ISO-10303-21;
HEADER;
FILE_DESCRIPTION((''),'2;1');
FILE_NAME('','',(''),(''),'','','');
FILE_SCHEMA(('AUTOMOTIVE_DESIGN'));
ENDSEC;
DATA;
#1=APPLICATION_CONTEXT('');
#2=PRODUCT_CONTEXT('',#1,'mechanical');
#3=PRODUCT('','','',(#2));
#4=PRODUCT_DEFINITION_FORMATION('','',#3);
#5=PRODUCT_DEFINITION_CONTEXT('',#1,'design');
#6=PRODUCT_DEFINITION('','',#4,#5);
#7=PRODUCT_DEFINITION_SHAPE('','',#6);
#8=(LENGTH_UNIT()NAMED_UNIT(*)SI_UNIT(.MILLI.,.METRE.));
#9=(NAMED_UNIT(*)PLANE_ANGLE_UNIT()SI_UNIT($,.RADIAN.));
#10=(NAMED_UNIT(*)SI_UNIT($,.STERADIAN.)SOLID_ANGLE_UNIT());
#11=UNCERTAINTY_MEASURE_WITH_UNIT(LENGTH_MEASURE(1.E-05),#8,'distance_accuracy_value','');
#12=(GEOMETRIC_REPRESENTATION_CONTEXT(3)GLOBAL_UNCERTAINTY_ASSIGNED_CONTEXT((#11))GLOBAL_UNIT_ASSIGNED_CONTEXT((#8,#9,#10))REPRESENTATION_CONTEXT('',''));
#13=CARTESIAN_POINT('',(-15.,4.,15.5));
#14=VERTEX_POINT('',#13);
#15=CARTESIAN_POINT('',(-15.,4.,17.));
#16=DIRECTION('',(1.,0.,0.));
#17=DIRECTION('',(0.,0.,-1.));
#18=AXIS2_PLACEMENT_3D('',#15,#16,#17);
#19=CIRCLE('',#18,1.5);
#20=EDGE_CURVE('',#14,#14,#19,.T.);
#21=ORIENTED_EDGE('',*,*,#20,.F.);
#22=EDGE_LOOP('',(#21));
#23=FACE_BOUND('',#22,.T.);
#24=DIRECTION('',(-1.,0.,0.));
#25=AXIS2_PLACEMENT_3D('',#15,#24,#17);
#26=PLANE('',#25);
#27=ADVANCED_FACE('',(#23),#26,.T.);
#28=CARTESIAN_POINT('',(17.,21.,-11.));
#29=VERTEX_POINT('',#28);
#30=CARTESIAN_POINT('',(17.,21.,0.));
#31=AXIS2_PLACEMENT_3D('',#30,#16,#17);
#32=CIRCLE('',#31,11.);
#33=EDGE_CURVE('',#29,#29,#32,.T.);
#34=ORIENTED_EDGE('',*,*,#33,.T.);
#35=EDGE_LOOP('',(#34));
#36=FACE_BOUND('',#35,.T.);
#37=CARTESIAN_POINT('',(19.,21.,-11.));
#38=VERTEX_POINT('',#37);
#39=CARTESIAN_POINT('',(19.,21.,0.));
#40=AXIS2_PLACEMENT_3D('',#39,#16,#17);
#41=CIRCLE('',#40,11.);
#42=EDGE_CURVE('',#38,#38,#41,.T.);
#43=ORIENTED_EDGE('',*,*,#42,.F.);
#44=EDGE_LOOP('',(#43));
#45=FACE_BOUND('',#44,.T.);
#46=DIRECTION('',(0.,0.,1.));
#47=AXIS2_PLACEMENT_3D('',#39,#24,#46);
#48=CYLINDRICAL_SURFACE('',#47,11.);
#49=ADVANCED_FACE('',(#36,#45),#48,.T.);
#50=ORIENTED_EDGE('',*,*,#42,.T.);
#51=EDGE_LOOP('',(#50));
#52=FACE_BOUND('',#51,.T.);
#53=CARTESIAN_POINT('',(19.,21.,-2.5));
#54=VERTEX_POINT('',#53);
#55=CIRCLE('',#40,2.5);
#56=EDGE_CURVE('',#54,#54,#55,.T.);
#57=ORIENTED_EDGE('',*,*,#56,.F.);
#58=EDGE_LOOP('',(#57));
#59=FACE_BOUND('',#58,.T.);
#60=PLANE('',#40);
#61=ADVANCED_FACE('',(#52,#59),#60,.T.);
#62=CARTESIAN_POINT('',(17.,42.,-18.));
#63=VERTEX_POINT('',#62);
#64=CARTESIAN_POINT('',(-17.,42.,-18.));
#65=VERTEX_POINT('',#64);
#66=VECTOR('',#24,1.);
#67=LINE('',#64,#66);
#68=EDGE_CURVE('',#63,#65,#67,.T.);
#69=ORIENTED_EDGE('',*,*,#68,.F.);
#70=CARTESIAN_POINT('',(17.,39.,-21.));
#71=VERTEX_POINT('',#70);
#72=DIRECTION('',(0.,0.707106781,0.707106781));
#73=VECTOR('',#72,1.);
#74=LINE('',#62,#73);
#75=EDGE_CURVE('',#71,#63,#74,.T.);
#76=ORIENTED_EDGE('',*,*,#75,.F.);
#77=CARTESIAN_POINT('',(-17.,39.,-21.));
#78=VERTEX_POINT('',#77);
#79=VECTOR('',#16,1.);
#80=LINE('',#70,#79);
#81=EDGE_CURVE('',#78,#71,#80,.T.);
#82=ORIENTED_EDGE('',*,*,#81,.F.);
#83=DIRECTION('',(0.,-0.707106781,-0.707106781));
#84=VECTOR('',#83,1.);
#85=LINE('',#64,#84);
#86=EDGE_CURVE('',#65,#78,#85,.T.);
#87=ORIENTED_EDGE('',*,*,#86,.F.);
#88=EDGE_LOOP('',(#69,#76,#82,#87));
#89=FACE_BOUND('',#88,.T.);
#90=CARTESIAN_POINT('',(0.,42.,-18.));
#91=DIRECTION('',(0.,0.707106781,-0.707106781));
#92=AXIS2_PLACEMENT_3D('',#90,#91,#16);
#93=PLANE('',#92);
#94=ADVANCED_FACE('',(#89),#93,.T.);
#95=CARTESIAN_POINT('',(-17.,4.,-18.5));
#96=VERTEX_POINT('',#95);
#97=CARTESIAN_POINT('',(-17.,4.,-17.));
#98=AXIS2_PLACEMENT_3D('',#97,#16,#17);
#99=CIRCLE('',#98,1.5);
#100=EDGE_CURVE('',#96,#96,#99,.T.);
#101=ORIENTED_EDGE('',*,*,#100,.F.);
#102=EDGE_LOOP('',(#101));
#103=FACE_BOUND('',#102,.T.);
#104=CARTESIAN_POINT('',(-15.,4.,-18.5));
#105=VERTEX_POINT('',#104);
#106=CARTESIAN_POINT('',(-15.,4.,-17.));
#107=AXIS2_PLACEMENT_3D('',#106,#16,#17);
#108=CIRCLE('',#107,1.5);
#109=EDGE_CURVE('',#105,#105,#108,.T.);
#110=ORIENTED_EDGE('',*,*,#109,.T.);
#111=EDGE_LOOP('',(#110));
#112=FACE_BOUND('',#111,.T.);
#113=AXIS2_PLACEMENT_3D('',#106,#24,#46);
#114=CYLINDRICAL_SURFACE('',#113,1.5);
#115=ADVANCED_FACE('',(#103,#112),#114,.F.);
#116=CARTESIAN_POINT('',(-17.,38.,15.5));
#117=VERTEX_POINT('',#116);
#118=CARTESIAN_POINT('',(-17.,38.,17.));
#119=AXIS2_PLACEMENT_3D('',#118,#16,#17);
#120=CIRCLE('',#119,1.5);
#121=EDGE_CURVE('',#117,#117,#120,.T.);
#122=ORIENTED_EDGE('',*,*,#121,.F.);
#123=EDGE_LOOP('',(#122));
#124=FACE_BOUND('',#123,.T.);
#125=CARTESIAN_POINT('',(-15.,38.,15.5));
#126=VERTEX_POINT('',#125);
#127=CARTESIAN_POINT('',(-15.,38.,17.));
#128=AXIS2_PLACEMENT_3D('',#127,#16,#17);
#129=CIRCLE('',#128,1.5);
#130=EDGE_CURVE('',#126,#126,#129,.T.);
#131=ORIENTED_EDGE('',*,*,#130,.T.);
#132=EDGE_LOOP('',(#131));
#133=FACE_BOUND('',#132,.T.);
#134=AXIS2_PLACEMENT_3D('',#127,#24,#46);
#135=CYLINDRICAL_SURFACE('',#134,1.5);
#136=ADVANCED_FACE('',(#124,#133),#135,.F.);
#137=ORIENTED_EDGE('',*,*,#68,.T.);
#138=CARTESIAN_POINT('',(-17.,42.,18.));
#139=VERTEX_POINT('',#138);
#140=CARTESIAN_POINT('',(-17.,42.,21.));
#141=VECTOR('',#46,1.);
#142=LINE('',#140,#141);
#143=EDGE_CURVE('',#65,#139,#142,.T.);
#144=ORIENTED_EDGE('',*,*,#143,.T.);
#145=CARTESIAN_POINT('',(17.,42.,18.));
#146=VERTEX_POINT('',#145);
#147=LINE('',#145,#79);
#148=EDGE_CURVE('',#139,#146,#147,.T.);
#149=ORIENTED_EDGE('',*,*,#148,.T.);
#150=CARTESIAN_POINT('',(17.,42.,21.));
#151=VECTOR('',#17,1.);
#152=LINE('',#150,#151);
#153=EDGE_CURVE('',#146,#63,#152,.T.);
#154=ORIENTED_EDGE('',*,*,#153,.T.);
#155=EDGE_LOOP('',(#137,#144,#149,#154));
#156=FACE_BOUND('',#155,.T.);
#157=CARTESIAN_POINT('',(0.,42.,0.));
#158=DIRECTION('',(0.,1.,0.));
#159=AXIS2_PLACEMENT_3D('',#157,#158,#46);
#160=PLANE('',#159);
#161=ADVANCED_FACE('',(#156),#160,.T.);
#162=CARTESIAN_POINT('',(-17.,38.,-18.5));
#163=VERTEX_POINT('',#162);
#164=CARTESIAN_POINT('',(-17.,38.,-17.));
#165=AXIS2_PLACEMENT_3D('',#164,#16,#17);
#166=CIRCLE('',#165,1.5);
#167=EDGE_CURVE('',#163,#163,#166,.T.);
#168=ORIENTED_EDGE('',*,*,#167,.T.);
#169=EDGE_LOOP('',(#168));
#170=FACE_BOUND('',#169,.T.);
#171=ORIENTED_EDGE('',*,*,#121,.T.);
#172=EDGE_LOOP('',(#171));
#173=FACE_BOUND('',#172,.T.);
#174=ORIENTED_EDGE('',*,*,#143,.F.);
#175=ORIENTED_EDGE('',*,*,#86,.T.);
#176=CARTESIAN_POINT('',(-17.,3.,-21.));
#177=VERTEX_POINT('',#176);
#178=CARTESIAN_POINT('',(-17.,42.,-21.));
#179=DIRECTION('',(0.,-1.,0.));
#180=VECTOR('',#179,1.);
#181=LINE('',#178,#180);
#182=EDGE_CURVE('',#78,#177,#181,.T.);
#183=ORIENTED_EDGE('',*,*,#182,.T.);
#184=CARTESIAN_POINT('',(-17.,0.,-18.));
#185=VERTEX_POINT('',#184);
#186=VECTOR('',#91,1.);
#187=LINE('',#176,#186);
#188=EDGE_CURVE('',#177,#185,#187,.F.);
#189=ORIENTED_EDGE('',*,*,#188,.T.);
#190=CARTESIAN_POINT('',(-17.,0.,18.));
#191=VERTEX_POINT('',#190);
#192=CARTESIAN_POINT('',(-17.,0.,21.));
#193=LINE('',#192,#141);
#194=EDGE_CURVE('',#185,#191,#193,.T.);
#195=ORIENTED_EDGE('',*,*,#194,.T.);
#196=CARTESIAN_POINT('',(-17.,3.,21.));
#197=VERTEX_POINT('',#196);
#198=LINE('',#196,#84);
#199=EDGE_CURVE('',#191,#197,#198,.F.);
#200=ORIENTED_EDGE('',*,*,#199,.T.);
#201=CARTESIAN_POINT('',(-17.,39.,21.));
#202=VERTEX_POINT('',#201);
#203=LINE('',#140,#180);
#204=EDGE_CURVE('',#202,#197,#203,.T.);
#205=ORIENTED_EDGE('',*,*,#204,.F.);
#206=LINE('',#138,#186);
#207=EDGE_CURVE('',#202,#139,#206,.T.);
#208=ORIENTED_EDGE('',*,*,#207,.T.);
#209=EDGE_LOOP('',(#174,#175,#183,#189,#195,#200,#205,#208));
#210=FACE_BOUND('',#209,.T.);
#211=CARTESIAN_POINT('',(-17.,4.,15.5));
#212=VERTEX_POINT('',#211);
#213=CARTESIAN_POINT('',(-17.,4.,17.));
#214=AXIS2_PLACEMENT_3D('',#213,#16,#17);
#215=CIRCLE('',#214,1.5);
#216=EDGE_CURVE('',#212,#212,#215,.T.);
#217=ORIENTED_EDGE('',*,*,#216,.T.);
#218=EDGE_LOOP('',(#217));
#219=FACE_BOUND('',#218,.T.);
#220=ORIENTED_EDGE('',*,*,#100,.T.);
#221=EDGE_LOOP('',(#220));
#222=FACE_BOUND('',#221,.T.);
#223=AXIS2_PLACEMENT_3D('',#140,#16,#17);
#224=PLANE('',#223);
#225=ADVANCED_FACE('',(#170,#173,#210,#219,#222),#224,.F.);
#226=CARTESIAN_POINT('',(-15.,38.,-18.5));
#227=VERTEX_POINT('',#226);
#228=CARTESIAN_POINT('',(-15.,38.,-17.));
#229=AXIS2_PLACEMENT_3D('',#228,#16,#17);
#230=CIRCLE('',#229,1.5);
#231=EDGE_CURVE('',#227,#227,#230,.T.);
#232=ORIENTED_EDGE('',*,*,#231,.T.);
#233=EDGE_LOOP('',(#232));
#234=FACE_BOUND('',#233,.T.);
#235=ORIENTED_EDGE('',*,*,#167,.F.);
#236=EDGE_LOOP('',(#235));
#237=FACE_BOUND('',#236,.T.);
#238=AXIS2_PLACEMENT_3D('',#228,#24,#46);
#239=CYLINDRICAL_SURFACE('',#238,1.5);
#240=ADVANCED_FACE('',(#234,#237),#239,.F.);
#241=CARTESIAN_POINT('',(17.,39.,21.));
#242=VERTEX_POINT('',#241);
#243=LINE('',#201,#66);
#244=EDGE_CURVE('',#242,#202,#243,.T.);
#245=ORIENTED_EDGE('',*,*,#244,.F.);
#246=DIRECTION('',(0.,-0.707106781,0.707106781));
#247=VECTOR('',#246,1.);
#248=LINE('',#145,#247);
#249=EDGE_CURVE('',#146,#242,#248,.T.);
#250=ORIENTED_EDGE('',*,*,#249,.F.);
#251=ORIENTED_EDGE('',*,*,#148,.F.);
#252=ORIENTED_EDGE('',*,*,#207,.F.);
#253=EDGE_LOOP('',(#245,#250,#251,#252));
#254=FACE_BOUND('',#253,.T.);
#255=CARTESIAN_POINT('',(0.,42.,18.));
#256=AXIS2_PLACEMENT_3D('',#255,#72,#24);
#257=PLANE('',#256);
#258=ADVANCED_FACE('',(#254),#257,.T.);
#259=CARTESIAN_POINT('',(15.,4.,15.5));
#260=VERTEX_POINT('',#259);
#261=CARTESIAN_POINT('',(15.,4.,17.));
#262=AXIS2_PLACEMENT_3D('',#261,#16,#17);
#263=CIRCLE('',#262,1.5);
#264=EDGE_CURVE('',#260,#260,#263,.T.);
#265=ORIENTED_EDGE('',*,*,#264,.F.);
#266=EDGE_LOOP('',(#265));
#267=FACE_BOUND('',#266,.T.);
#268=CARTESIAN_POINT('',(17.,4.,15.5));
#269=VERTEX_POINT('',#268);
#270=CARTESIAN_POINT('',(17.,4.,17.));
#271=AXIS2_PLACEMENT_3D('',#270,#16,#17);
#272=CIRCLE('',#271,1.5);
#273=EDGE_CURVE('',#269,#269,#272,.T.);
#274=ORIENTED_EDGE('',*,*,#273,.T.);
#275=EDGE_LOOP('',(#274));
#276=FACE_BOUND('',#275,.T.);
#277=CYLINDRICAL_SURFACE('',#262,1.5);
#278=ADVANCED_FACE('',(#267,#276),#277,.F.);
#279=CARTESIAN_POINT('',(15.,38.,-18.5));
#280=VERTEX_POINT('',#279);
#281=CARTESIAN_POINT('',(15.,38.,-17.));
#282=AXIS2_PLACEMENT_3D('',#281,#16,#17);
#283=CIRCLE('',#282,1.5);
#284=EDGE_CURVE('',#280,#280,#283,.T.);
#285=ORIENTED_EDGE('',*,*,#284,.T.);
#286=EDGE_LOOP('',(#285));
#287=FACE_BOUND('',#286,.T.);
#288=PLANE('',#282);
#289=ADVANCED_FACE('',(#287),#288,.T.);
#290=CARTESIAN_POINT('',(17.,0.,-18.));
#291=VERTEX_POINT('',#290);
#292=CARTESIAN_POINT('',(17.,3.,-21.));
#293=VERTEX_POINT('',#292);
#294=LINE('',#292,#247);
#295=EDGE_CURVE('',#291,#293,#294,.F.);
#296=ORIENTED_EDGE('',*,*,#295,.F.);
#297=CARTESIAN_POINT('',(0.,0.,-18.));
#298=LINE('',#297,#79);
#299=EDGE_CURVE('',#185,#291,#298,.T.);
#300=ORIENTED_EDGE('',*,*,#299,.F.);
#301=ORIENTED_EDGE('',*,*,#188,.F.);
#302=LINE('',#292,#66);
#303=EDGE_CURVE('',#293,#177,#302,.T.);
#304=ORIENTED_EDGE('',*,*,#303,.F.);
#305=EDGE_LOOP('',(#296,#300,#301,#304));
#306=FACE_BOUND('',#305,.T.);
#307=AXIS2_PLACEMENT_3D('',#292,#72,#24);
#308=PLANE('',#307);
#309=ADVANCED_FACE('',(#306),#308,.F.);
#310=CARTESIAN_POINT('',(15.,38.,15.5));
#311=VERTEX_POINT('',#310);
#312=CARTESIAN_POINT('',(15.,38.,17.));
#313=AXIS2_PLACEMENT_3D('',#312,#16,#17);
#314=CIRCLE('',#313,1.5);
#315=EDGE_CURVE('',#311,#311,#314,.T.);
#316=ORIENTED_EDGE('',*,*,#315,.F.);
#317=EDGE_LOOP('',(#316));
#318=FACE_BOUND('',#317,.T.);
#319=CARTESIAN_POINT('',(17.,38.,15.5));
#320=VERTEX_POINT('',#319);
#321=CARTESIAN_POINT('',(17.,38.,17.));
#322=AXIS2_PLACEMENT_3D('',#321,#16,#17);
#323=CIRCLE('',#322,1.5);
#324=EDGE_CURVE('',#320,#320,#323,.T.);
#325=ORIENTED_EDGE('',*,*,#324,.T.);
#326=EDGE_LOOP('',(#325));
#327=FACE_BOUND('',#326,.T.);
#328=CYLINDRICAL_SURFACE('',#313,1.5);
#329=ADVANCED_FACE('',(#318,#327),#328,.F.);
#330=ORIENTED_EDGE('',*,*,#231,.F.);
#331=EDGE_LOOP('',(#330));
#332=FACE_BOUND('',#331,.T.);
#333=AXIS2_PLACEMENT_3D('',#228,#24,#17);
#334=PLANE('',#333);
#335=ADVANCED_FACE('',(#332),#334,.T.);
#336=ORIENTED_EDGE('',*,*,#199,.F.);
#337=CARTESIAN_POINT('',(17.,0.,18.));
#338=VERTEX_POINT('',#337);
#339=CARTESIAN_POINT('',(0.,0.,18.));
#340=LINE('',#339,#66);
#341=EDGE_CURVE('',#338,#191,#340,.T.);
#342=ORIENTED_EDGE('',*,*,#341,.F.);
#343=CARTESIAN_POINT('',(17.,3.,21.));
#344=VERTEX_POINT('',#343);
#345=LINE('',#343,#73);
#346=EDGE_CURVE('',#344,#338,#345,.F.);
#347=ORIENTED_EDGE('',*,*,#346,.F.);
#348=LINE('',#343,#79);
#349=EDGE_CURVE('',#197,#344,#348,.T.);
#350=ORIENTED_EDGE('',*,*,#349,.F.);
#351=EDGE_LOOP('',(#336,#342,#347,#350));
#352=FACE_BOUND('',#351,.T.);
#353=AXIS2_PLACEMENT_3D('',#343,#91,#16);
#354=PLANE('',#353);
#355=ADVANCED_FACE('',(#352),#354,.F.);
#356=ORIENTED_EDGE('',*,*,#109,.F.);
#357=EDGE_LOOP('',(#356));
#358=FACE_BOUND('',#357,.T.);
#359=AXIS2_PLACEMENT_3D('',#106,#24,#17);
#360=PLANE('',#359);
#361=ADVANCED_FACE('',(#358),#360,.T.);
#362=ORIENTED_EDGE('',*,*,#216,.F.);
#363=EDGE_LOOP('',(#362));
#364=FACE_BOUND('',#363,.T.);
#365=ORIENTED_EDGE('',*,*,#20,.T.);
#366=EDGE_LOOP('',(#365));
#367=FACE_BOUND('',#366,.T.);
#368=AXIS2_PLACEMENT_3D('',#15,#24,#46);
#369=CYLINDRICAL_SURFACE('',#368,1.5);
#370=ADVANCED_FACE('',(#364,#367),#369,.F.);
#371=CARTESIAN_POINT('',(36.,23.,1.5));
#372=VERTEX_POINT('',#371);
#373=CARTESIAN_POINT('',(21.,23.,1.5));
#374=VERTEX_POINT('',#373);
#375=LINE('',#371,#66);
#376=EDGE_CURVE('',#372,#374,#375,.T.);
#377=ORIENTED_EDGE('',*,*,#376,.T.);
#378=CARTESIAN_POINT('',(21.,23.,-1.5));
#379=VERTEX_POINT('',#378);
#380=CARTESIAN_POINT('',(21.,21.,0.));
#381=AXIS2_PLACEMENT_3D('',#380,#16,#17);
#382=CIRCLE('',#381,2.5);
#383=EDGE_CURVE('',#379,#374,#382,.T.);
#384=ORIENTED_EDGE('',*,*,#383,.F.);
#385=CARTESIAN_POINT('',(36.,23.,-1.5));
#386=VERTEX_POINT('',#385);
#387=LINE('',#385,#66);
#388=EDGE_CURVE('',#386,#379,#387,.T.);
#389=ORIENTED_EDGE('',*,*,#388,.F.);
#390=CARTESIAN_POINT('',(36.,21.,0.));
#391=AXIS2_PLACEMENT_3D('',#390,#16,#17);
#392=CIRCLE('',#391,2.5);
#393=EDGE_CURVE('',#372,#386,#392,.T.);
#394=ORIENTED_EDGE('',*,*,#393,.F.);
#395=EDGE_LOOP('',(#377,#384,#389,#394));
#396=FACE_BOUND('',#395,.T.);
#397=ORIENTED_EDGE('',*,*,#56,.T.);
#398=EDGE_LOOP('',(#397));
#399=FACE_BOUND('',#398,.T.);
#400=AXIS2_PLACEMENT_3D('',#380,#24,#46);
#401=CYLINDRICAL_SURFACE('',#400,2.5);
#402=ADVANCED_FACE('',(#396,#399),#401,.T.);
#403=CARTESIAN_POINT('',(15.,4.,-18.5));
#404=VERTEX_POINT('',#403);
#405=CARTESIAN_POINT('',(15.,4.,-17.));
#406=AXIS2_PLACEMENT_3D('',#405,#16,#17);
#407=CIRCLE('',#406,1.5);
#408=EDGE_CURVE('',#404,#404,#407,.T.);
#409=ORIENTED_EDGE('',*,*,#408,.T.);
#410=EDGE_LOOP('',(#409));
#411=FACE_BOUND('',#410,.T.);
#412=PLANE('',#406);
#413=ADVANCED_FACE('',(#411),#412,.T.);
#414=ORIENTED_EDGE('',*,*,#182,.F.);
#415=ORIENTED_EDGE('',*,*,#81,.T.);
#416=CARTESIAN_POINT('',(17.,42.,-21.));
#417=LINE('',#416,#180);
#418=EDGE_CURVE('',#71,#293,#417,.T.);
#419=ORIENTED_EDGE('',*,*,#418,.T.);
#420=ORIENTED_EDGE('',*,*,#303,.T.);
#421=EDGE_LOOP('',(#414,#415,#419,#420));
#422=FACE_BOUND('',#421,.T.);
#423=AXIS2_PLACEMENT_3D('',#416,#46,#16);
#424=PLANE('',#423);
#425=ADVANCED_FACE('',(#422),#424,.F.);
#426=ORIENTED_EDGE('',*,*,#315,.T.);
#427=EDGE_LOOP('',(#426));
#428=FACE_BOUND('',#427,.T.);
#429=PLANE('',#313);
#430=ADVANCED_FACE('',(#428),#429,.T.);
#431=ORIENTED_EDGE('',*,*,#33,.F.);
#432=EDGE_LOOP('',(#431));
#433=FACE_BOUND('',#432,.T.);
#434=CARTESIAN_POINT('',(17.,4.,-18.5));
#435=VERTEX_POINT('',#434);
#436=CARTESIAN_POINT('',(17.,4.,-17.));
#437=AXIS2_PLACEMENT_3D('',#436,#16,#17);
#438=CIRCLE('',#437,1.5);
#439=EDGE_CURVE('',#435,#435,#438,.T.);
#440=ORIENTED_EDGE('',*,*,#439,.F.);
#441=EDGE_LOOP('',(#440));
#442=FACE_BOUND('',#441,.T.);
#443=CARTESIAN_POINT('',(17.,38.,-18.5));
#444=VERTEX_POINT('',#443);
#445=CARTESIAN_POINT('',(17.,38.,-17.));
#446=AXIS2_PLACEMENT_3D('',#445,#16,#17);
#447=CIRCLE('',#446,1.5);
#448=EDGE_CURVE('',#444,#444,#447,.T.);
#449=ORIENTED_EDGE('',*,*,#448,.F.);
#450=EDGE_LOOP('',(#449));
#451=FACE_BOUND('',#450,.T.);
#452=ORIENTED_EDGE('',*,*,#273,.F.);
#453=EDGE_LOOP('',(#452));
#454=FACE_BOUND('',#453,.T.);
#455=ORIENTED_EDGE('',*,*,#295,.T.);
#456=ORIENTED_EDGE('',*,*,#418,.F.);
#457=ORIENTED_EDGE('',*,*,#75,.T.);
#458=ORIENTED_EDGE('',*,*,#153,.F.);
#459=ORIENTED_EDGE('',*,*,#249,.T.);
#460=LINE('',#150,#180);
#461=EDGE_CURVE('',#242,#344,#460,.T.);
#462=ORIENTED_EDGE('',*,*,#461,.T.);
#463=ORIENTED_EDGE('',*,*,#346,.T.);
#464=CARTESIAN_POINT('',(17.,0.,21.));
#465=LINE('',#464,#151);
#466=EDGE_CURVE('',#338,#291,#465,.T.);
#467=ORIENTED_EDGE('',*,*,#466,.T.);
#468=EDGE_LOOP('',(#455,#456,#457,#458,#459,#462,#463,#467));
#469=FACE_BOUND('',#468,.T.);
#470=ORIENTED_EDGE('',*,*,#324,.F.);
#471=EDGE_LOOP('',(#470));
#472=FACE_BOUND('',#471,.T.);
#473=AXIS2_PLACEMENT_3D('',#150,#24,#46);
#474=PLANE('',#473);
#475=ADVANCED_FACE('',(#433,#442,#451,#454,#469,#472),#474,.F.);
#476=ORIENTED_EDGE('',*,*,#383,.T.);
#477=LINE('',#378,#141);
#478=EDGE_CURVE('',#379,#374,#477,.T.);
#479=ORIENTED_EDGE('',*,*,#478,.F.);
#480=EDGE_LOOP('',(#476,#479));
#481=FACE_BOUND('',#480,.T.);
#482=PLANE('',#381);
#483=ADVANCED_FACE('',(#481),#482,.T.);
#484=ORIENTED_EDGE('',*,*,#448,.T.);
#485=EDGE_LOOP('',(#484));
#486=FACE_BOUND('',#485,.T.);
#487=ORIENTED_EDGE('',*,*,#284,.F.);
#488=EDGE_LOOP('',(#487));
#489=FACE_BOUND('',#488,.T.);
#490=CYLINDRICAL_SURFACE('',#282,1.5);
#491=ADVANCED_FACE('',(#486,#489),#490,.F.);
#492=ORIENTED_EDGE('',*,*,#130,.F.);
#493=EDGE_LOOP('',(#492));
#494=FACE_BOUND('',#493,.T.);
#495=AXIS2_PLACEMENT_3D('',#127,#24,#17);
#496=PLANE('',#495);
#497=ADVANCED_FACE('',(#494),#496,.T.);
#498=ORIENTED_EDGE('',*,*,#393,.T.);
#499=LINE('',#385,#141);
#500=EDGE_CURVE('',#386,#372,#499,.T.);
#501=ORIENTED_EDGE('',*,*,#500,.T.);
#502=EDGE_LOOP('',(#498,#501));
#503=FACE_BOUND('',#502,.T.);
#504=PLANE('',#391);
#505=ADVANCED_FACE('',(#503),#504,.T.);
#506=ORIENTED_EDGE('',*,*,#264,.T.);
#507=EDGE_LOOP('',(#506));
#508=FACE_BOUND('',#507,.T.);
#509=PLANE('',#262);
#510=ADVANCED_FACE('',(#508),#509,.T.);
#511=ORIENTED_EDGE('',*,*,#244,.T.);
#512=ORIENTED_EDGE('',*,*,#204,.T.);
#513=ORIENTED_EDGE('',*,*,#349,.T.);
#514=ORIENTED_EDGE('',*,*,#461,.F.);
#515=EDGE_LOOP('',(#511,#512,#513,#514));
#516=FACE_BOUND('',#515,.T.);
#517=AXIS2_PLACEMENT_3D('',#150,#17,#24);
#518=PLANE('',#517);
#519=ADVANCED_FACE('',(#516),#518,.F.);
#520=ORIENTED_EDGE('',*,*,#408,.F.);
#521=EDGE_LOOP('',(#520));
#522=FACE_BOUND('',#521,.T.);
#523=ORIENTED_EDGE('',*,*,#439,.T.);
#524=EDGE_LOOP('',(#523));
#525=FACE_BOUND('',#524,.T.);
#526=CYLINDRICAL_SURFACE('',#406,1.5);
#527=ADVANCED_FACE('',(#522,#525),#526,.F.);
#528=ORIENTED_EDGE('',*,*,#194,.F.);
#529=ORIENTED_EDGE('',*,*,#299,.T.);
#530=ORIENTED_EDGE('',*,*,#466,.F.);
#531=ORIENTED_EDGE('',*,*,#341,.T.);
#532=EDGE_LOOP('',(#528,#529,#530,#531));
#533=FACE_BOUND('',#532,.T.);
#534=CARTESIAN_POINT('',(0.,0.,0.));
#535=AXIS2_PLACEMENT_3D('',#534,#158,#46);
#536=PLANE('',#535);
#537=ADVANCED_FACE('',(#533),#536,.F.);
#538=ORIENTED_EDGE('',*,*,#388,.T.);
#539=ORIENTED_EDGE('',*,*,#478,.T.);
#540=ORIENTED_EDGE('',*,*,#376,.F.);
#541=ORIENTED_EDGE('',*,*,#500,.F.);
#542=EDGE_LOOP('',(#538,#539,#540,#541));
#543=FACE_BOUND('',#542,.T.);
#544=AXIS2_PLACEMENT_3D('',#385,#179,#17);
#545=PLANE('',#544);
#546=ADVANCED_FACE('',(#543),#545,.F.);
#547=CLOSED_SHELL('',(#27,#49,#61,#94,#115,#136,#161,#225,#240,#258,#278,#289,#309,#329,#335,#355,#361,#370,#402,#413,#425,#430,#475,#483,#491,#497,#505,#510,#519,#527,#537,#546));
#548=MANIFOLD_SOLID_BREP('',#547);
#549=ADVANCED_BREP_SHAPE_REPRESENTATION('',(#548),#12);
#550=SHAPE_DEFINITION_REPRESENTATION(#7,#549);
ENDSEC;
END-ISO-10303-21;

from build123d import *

# Parameters (mm, degrees)
SKETCH1_W           = 34
SKETCH1_H           = 42
BOSS_EXTRUDE1_DEPTH = 42
SKETCH2_R           = 11
BOSS_EXTRUDE2_DEPTH = 2
SKETCH3_R           = 2.5
BOSS_EXTRUDE3_DEPTH = 2
BOSS_EXTRUDE4_DEPTH = 15
CHAMFER1_SIZE       = 3
SKETCH5_R           = 1.5
CUT_EXTRUDE1_DEPTH  = 2


with BuildPart() as part:
    # Sketch1 → Boss-Extrude1 (new body)
    with BuildSketch(Plane(origin=(0, 0, 0), x_dir=(1, 0, 0), z_dir=(0, 1, 0))):
        Rectangle(SKETCH1_W, SKETCH1_H)
    extrude(amount=BOSS_EXTRUDE1_DEPTH)

    # Sketch2 → Boss-Extrude2 (add)
    with BuildSketch(Plane(origin=(17, 0, 0), x_dir=(0, 0, -1), z_dir=(1, 0, 0))):
        with Locations((0, 21)):
            Circle(SKETCH2_R)
    extrude(amount=BOSS_EXTRUDE2_DEPTH)

    # Sketch3 → Boss-Extrude3 (add)
    with BuildSketch(Plane(origin=(19, 0, 0), x_dir=(0, 0, -1), z_dir=(1, 0, 0))):
        with Locations((0, 21)):
            Circle(SKETCH3_R)
    extrude(amount=BOSS_EXTRUDE3_DEPTH)

    # Sketch4 → Boss-Extrude4 (add)
    with BuildSketch(Plane(origin=(21, 0, 0), x_dir=(0, 0, -1), z_dir=(1, 0, 0))):
        with BuildLine():
            Line((1.5, 23), (-1.5, 23))
            ThreePointArc((-1.5, 23), (0, 18.5), (1.5, 23))
        make_face()
    extrude(amount=BOSS_EXTRUDE4_DEPTH)

    # Chamfer1
    chamfer1_edges = [part.edges().sort_by_distance(p)[0] for p in [
        (0, 42, -21),
        (0, 0, -21),
        (0, 0, 21),
        (0, 42, 21),
    ]]
    chamfer(chamfer1_edges, length=CHAMFER1_SIZE)

    # Sketch5 → Cut-Extrude1 (cut)
    with BuildSketch(Plane(origin=(17, 0, 0), x_dir=(0, 0, -1), z_dir=(1, 0, 0))):
        with Locations((-17, 38)):
            Circle(SKETCH5_R)
        with Locations((-17, 4)):
            Circle(SKETCH5_R)
        with Locations((17, 4)):
            Circle(SKETCH5_R)
        with Locations((17, 38)):
            Circle(SKETCH5_R)
    cut_extrude1 = extrude(amount=-CUT_EXTRUDE1_DEPTH, mode=Mode.SUBTRACT)

    # Mirror1: Cut-Extrude1 across plane
    add(cut_extrude1.mirror(Plane(origin=(0, 0, 0), x_dir=(0, 0, 1), z_dir=(1, 0, 0))), mode=Mode.SUBTRACT)


solid = part.part
